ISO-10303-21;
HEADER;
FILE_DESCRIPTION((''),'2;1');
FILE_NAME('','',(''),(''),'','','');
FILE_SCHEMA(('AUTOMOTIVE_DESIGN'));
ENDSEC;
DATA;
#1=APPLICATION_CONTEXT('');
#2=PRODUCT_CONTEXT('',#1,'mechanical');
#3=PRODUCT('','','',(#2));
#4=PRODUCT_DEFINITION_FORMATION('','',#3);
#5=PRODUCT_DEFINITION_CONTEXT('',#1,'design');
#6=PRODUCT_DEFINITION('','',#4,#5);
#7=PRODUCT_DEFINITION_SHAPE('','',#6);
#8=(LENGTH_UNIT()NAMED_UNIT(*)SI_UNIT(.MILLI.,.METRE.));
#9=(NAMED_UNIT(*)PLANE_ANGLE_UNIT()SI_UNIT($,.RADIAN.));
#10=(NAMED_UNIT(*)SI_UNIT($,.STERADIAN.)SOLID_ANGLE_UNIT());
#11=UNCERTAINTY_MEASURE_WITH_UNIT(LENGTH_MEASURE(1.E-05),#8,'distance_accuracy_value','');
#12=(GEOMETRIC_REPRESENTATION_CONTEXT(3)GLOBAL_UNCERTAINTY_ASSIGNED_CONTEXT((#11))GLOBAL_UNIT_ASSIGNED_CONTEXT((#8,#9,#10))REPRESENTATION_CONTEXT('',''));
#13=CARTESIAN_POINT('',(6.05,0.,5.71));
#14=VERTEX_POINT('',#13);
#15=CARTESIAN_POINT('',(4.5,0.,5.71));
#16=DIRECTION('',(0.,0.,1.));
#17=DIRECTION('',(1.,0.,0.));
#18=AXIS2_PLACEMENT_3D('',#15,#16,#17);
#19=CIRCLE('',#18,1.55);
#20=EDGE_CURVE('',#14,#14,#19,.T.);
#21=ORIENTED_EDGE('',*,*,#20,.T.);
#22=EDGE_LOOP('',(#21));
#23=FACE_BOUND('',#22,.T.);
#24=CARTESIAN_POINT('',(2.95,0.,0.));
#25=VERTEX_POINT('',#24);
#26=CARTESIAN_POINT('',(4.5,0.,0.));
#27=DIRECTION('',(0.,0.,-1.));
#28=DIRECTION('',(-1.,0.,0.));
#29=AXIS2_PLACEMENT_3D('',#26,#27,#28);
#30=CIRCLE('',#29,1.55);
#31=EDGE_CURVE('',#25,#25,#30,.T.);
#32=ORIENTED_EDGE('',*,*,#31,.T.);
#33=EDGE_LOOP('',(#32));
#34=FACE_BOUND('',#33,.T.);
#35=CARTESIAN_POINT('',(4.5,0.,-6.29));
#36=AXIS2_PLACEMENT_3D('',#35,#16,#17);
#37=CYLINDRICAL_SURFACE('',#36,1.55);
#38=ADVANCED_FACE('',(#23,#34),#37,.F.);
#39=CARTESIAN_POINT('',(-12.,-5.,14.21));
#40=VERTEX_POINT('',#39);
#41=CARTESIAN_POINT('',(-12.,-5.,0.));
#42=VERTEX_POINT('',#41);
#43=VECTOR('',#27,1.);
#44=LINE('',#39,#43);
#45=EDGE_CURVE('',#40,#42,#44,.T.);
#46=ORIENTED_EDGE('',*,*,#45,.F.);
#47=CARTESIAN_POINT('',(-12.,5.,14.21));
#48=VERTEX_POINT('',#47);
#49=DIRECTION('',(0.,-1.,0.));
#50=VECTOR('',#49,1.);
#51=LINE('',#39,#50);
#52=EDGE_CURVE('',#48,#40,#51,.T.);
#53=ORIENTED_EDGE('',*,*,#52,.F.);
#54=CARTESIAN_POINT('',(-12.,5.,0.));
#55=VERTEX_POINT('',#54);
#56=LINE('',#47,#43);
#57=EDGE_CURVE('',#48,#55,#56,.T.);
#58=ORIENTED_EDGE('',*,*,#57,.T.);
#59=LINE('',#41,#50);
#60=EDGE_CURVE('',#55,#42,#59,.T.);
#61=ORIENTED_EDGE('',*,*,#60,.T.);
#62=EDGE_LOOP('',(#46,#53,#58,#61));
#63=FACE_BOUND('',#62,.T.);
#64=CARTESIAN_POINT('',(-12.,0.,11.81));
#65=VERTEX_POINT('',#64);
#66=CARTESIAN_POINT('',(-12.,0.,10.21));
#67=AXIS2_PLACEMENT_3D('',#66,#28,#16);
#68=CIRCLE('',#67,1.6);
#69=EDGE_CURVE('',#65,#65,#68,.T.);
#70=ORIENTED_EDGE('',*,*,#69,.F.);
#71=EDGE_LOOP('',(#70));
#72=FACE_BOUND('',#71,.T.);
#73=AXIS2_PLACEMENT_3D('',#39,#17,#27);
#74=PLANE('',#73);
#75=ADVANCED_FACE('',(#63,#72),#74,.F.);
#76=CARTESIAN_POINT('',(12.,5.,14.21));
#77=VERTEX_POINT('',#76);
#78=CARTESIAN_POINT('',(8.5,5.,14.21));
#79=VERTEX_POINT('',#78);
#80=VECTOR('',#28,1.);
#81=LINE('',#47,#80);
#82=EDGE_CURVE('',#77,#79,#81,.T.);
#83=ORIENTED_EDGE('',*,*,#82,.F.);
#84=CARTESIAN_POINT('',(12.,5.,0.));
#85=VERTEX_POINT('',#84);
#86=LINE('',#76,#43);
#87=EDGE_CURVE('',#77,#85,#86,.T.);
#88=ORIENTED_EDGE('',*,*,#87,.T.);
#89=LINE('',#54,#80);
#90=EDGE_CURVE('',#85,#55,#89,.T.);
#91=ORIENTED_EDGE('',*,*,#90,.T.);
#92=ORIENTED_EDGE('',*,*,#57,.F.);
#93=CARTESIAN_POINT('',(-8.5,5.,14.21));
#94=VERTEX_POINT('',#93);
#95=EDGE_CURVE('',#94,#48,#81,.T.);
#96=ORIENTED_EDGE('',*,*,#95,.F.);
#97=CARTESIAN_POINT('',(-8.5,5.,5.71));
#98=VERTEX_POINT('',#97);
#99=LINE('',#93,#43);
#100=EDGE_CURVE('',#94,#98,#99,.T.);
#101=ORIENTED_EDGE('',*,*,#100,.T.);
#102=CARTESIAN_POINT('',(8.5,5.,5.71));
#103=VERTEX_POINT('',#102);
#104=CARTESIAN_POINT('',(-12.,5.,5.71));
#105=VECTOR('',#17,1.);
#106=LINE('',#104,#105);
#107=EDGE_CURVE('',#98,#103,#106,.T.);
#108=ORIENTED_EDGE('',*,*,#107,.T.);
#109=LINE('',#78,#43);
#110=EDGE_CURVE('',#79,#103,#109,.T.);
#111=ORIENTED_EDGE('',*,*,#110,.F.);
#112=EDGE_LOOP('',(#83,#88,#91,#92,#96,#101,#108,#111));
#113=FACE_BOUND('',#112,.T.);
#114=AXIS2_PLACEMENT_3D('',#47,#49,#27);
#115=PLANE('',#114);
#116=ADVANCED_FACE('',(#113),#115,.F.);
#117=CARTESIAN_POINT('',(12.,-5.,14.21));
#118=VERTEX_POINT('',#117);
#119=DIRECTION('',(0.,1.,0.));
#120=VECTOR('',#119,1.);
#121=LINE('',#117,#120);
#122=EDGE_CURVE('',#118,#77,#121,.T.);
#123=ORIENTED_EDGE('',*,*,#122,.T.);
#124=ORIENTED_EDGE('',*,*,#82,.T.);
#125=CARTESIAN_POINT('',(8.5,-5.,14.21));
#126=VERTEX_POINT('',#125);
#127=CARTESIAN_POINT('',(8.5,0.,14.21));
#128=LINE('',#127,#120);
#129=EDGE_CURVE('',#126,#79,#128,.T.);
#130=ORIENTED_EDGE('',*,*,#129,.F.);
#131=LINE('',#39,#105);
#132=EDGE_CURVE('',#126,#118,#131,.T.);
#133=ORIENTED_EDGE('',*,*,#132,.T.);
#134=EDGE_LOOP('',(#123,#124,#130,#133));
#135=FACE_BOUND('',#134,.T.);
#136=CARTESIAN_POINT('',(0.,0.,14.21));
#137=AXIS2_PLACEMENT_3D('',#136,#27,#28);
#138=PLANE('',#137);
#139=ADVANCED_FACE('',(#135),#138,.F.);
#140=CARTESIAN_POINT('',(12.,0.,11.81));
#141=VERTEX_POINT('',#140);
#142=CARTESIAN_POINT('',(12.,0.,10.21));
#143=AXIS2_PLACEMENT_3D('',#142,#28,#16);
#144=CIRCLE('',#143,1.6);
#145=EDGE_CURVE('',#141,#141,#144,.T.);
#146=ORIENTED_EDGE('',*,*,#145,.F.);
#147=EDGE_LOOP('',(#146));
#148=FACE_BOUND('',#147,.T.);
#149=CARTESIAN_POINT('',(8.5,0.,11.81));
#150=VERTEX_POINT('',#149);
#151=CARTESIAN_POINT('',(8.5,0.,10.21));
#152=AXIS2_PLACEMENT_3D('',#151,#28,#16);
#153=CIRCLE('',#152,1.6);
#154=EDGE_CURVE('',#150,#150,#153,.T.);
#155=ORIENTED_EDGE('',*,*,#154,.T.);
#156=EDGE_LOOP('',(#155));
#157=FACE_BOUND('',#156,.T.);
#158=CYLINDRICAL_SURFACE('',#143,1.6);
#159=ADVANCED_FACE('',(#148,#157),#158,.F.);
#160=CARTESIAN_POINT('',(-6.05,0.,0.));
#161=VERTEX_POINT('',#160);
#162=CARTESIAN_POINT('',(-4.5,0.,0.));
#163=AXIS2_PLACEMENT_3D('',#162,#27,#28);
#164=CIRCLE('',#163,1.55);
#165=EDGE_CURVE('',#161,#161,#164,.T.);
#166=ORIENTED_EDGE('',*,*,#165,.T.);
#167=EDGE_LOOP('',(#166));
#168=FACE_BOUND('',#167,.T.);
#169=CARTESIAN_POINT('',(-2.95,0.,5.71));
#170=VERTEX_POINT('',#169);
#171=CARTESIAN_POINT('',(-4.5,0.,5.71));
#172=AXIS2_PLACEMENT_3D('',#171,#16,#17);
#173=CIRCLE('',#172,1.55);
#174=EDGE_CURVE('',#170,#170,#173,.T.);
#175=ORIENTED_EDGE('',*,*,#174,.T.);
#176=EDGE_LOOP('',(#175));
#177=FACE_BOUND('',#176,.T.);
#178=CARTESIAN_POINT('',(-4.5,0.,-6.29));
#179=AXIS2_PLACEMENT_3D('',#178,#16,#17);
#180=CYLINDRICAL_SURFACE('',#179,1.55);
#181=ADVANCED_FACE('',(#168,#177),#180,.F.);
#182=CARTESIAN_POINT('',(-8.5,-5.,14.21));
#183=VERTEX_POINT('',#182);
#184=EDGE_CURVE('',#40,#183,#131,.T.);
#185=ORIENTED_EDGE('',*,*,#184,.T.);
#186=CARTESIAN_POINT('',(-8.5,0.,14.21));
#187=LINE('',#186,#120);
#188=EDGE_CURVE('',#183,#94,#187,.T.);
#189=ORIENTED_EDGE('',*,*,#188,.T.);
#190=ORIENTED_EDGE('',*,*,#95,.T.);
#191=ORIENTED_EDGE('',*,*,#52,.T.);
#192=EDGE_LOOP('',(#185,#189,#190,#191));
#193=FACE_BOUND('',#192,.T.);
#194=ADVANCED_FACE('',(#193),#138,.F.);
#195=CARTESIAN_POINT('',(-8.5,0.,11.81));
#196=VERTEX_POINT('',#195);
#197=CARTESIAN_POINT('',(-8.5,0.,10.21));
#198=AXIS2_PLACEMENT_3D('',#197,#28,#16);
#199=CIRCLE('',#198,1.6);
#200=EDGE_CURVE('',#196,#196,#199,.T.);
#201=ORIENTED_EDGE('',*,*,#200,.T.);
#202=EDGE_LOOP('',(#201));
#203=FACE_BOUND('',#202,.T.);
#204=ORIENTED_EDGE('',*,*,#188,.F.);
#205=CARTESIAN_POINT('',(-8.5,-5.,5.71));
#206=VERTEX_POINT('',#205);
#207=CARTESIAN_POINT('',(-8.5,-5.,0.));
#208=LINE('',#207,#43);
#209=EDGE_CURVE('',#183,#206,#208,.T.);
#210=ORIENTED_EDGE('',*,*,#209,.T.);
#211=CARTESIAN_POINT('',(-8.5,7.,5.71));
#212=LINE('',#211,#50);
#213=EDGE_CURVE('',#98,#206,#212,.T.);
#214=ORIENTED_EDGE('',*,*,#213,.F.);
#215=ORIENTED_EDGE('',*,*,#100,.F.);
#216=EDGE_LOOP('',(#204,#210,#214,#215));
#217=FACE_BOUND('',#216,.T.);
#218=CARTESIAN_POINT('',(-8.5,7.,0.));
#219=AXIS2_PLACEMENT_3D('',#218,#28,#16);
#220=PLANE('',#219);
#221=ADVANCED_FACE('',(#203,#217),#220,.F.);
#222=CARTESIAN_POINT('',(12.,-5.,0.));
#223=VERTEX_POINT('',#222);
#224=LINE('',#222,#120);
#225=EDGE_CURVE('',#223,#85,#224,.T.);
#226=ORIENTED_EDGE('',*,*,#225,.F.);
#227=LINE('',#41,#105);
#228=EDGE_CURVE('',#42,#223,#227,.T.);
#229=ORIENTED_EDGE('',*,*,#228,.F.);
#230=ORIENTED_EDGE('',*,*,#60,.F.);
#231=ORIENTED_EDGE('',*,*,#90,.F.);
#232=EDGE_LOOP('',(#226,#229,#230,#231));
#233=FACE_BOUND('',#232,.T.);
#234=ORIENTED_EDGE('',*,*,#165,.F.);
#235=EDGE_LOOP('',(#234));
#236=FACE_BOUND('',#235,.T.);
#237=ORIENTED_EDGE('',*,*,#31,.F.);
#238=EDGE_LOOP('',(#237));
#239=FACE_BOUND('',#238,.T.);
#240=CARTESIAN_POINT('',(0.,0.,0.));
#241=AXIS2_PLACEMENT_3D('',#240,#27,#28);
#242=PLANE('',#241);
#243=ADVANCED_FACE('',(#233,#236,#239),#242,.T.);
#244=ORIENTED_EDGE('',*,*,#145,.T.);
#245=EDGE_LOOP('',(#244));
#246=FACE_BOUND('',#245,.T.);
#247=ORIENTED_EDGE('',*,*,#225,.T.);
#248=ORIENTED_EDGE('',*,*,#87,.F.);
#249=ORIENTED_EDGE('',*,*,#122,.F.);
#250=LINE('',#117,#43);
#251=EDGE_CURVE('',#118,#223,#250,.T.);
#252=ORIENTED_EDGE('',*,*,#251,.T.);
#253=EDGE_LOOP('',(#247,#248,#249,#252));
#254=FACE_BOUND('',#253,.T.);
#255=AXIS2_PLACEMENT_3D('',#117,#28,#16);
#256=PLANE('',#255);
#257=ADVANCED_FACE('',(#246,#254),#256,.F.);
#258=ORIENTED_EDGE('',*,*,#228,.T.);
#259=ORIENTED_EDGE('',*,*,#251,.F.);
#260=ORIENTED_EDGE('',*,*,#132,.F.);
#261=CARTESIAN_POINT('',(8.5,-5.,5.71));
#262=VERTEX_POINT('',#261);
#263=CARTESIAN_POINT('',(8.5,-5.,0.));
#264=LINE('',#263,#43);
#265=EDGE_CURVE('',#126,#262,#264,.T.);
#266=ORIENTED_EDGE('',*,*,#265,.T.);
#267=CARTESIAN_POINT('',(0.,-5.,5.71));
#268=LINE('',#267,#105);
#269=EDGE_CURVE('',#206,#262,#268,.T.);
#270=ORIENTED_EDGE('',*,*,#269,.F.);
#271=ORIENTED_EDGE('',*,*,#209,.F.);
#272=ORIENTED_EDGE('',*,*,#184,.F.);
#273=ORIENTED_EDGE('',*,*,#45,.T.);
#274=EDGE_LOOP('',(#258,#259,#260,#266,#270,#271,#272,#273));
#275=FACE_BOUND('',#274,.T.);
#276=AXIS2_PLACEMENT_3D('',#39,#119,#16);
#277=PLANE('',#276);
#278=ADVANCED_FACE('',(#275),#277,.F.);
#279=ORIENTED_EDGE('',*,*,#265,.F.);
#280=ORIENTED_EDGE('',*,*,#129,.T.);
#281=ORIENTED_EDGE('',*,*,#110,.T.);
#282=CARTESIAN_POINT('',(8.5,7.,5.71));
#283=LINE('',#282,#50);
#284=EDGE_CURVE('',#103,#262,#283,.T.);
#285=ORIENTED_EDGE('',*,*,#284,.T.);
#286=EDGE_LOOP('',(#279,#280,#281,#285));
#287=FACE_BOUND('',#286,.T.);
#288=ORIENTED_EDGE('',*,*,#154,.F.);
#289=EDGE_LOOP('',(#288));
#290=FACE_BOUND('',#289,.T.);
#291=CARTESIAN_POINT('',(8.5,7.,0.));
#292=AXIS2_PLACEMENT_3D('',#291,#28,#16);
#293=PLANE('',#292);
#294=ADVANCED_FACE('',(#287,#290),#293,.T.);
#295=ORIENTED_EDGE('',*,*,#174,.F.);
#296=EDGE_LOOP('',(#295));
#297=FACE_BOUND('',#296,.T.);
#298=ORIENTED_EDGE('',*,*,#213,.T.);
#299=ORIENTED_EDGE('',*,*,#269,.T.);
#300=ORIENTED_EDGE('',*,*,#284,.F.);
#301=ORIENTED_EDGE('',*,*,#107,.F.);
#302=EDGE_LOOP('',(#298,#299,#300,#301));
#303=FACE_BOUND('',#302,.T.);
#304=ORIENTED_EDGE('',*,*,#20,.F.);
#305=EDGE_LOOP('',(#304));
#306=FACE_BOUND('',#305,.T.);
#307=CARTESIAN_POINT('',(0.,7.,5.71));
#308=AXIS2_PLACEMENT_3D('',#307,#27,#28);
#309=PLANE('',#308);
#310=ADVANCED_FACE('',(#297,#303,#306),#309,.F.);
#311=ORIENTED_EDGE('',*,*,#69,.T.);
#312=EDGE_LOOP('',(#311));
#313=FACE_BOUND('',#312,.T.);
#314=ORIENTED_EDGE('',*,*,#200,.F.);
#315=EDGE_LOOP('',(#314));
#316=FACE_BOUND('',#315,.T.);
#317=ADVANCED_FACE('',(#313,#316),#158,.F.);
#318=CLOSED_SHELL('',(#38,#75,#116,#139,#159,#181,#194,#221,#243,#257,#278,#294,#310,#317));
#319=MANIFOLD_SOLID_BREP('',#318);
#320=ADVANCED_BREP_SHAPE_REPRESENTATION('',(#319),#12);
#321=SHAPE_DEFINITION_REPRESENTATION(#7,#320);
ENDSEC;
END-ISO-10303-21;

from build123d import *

# Parameters (mm, degrees)
CROQUIS1_W              = 24
CROQUIS1_H              = 10
SALIENTE_EXTRUIR1_DEPTH = 14.21
CROQUIS2_W              = 17
CROQUIS2_H              = 8.5
CORTAR_EXTRUIR1_DEPTH   = 12
CROQUIS3_R              = 1.6
CORTAR_EXTRUIR2_DEPTH   = 29.335915373
CROQUIS4_R              = 1.55
CORTAR_EXTRUIR3_DEPTH   = 12


with BuildPart() as part:
    # Croquis1 → Saliente-Extruir1 (new body)
    with BuildSketch(Plane.XY):
        Rectangle(CROQUIS1_W, CROQUIS1_H)
    extrude(amount=SALIENTE_EXTRUIR1_DEPTH)

    # Croquis2 → Cortar-Extruir1 (cut)
    with BuildSketch(Plane.XZ.offset(5)):
        with Locations((0, 9.96)):
            Rectangle(CROQUIS2_W, CROQUIS2_H)
    extrude(amount=-CORTAR_EXTRUIR1_DEPTH, mode=Mode.SUBTRACT)

    # Croquis3 → Cortar-Extruir2 (cut, through all)
    with BuildSketch(Plane.ZY.offset(12)):
        with Locations((10.21, 0)):
            Circle(CROQUIS3_R)
    extrude(amount=-CORTAR_EXTRUIR2_DEPTH, mode=Mode.SUBTRACT)

    # Croquis4 → Cortar-Extruir3 (cut)
    with BuildSketch(Plane.XY.offset(5.71)):
        with Locations((-4.5, 0)):
            Circle(CROQUIS4_R)
        with Locations((4.5, 0)):
            Circle(CROQUIS4_R)
    extrude(amount=-CORTAR_EXTRUIR3_DEPTH, mode=Mode.SUBTRACT)


solid = part.part
